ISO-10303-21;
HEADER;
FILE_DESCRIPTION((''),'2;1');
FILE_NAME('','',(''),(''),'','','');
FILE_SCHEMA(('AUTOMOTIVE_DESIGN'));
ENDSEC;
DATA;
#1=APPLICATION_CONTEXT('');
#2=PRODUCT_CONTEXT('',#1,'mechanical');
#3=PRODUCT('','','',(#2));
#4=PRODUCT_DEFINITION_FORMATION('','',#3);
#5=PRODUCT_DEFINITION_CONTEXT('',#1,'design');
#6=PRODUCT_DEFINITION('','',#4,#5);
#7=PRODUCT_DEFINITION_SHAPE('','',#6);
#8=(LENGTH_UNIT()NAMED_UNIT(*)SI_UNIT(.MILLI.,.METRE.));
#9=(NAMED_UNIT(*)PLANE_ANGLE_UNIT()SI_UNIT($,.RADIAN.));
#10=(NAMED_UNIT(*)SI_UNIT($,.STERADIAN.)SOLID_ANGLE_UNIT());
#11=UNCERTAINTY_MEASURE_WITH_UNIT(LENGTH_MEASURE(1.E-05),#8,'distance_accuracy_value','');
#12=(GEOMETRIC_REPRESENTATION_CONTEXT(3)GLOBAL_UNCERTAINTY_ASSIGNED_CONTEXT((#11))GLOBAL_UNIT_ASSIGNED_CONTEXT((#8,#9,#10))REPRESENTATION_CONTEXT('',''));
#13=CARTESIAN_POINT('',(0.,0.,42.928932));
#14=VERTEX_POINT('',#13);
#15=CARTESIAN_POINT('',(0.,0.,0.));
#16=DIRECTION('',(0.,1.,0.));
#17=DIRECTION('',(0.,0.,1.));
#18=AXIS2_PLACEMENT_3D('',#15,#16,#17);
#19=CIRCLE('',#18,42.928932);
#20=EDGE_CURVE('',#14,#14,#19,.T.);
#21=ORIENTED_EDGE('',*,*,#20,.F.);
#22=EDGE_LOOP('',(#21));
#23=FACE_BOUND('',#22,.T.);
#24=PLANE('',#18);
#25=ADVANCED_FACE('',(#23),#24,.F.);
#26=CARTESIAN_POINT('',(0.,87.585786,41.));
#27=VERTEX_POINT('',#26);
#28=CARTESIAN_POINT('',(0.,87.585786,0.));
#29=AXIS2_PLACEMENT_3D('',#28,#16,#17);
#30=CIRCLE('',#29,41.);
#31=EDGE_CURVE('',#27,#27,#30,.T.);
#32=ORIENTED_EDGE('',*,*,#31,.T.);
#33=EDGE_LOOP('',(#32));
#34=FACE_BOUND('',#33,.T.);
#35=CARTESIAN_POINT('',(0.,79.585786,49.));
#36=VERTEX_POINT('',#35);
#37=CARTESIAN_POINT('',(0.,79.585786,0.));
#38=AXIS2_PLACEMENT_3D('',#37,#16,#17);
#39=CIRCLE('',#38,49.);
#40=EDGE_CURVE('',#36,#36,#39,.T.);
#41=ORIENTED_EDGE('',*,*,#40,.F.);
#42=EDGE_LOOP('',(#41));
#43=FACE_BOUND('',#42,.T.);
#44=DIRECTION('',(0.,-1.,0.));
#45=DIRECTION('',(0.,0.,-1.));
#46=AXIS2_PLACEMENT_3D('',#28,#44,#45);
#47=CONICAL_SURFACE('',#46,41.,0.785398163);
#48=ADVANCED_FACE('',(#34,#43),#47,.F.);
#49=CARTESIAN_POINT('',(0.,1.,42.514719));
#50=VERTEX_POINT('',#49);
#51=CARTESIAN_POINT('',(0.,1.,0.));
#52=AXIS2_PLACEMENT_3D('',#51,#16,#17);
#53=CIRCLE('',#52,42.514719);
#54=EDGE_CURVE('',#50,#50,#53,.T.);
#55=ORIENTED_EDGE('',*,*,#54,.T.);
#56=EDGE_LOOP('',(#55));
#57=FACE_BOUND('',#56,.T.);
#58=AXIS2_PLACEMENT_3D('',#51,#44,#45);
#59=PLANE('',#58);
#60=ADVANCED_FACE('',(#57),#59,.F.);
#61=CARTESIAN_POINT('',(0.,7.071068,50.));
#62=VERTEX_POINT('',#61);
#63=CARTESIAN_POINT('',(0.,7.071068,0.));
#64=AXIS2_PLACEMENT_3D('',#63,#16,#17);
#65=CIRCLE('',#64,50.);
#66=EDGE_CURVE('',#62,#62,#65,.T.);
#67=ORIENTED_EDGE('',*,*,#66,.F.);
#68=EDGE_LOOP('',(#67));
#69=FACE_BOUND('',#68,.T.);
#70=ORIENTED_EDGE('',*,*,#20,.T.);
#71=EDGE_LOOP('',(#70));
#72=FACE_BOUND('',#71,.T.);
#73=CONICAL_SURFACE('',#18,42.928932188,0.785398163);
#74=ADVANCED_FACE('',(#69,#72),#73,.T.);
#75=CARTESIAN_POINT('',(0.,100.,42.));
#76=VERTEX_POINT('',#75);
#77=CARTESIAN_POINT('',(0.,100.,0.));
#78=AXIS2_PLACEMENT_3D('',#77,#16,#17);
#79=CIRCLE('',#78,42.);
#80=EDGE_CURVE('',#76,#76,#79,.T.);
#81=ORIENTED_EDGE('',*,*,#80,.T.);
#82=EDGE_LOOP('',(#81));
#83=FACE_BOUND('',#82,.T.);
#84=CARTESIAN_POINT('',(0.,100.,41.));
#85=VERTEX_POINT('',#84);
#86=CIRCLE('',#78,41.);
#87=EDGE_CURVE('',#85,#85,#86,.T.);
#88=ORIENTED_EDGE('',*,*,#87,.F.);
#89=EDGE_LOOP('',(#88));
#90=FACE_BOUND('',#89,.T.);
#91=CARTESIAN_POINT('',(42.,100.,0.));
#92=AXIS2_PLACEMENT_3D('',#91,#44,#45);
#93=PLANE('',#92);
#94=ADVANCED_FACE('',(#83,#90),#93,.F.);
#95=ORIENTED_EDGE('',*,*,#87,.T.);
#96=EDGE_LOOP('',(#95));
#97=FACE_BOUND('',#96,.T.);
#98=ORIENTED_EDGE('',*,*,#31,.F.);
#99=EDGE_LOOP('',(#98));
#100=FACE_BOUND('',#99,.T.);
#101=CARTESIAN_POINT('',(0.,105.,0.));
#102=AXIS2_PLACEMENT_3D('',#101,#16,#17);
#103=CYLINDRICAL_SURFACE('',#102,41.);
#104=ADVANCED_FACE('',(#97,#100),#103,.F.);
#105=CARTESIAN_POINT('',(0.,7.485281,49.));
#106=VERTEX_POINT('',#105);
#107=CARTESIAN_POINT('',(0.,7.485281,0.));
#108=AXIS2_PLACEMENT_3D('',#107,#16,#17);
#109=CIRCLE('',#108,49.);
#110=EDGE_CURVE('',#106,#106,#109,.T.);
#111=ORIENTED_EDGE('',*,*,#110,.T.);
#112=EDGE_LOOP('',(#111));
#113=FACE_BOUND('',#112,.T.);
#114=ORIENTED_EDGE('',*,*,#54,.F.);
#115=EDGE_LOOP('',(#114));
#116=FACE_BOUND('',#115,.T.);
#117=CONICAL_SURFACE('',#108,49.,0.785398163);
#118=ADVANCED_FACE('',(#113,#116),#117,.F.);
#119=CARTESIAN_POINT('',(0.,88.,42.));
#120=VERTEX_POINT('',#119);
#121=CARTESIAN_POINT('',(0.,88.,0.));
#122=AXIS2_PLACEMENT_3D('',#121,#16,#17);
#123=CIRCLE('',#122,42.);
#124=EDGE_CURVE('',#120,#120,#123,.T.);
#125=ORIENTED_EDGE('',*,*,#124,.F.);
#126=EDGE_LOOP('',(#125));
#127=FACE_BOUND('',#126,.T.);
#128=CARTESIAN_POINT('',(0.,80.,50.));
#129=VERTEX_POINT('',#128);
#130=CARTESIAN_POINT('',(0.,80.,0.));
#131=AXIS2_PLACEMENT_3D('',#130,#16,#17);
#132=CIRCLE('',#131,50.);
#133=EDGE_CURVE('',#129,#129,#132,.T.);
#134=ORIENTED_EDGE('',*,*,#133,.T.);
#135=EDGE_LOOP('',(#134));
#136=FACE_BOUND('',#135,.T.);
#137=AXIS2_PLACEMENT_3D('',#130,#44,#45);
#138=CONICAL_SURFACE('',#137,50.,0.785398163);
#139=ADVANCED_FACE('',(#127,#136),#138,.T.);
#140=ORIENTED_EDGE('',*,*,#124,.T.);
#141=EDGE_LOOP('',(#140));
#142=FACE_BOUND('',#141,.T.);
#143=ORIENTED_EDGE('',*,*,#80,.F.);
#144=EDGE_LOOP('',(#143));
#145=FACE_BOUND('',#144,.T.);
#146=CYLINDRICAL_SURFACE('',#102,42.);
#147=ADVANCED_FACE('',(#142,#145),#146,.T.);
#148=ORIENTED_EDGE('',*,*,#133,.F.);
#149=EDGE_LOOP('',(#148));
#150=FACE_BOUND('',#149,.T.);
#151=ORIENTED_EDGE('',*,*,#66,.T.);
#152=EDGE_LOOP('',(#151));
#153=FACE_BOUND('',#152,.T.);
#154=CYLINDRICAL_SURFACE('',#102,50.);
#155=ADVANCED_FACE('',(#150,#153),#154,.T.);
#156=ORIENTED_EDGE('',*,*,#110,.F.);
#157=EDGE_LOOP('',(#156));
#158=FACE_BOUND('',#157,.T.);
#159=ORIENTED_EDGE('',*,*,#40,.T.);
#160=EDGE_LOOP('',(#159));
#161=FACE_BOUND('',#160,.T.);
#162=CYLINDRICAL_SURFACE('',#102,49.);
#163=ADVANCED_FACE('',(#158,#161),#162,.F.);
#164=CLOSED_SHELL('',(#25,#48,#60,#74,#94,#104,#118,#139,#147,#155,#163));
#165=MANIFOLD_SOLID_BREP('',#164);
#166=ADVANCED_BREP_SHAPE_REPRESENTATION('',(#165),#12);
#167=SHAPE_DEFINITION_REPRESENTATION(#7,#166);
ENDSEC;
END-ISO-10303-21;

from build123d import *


with BuildPart() as part:
    # Esquisse2 → Révolution1 (revolve)
    with BuildSketch(Plane.XY, mode=Mode.PRIVATE) as r_volution1_sk:
        Polygon((0, 0), (42.928932188, 0), (50, 7.071067812), (50, 80), (42, 88), (42, 100), (41, 100), (41, 87.585786438), (49, 79.585786438), (49, 7.485281374), (42.514718626, 1), (0, 1), align=None)
    revolve(r_volution1_sk.sketch.rotate(Axis((0, 105, 0), (0, -1, 0)), 90), axis=Axis((0, 105, 0), (0, -1, 0)))


solid = part.part
